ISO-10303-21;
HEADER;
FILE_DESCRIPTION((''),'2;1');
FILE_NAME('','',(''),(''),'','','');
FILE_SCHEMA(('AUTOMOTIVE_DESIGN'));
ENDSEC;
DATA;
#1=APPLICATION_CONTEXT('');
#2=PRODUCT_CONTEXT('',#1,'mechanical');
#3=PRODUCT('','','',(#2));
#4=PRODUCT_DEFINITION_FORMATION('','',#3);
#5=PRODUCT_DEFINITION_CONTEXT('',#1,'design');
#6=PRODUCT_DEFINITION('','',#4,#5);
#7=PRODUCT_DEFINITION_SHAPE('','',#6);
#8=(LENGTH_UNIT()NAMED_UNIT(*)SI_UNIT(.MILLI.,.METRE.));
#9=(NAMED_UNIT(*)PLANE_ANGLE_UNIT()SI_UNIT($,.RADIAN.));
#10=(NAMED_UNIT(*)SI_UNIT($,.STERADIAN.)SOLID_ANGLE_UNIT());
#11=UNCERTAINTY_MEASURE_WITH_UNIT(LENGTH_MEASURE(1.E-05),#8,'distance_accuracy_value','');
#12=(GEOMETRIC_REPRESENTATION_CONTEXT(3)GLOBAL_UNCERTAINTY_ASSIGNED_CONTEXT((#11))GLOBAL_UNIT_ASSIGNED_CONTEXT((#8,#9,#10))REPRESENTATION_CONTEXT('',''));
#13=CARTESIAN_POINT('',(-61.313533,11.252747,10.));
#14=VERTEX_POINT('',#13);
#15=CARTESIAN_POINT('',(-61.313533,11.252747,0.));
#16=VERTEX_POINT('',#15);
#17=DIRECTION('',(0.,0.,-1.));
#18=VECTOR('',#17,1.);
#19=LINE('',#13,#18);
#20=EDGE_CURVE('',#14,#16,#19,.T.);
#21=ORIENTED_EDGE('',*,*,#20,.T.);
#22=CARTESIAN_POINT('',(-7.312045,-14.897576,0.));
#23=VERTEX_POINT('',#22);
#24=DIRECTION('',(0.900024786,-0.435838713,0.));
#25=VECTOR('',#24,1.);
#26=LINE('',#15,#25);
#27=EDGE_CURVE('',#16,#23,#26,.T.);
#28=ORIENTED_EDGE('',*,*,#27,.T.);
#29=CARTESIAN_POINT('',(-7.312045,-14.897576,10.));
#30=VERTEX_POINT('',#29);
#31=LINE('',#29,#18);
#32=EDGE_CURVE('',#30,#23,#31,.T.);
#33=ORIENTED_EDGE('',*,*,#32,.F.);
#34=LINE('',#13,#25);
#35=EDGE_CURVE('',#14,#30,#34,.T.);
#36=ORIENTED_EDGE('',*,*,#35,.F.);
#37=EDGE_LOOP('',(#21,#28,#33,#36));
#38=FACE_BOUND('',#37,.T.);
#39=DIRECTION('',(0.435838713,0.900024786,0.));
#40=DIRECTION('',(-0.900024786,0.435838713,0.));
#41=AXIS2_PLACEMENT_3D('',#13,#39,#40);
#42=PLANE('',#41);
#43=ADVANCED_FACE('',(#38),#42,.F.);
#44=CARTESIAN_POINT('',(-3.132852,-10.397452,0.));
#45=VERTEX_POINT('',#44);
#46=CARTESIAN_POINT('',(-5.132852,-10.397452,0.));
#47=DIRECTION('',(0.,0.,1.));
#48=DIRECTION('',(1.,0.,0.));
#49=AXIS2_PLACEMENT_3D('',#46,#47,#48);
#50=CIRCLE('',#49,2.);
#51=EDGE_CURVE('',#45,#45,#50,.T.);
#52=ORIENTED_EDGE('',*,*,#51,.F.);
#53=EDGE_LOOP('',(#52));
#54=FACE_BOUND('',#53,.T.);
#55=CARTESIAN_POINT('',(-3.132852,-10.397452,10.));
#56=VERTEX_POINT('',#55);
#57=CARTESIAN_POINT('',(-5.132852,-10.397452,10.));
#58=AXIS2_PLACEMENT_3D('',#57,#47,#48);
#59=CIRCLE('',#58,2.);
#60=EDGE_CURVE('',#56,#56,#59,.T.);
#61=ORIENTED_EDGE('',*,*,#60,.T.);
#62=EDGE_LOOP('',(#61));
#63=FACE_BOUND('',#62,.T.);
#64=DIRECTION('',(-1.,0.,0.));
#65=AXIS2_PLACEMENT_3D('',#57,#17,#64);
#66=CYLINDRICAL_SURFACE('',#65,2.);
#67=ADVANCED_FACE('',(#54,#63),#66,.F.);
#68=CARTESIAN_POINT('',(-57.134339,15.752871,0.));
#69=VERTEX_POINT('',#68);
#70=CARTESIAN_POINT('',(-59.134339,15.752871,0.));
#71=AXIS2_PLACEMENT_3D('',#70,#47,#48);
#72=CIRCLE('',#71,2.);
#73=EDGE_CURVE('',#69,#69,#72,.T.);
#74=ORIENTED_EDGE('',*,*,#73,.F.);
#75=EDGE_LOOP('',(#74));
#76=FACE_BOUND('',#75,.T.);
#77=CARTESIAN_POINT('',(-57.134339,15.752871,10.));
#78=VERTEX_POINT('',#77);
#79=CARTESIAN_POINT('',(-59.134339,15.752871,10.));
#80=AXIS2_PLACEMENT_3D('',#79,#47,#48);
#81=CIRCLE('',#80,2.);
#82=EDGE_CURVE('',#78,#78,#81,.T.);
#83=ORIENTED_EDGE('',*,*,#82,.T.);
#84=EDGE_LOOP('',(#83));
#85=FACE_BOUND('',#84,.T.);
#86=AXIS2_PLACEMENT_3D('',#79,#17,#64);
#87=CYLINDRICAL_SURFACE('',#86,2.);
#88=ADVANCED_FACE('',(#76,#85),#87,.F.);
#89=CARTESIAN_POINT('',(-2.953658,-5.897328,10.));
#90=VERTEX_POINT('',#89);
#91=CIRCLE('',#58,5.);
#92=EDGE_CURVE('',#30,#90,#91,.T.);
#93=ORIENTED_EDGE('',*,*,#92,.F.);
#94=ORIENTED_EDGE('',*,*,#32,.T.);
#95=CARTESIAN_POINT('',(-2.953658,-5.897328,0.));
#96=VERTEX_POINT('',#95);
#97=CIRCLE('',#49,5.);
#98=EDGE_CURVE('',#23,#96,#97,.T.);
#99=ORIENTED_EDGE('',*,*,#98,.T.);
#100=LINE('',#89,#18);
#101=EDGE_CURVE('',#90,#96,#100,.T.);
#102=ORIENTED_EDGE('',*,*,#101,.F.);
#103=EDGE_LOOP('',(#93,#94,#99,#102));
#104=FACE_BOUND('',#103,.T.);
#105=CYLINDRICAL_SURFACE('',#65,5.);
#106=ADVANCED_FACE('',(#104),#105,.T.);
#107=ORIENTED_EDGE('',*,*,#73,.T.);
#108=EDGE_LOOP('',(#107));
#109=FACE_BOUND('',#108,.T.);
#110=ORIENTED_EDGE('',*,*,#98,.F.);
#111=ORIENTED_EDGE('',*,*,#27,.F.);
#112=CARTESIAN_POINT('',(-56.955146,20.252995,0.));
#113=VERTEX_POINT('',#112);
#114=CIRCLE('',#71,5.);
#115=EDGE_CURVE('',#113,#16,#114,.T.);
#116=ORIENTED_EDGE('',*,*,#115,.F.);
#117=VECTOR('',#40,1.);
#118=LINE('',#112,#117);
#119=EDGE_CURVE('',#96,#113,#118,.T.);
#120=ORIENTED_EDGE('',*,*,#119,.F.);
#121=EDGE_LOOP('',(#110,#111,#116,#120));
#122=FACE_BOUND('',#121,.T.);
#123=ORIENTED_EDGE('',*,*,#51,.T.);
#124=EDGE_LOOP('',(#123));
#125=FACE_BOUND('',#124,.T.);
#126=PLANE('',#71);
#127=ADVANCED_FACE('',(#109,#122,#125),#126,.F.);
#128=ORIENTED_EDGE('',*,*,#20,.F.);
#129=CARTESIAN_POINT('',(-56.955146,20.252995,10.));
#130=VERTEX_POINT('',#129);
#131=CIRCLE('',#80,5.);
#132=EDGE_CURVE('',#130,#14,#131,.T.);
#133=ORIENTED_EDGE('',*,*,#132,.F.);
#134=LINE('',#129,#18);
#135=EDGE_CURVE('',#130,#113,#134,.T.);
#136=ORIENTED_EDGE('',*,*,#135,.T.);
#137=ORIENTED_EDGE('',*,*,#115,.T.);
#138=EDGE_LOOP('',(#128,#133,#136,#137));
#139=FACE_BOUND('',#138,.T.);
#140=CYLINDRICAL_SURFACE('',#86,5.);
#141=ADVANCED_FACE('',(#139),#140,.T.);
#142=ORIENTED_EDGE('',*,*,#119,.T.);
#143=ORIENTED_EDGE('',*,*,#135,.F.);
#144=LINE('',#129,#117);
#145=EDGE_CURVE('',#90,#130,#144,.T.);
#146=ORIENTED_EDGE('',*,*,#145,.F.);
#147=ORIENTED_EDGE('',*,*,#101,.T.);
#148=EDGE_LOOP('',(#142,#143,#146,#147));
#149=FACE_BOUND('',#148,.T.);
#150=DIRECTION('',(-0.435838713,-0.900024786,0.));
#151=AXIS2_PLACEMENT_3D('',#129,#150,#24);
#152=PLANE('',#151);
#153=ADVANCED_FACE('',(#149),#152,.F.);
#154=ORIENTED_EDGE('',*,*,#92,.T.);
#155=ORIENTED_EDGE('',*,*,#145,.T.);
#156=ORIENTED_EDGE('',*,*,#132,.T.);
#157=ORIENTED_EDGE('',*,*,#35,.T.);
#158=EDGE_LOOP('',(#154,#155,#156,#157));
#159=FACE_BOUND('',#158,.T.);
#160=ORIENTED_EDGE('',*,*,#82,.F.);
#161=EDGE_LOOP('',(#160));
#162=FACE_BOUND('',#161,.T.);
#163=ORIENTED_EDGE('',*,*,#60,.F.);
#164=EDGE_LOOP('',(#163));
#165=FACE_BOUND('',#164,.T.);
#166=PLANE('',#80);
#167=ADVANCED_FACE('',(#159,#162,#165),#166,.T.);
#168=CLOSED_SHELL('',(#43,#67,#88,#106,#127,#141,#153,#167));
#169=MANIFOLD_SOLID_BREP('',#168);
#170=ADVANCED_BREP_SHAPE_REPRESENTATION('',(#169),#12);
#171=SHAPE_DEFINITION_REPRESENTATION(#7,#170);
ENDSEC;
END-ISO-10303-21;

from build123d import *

# Parameters (mm, degrees)
SKETCH1_R           = 2
BOSS_EXTRUDE1_DEPTH = 10


with BuildPart() as part:
    # Sketch1 → Boss-Extrude1 (new body)
    with BuildSketch(Plane.XY):
        with BuildLine():
            Line((-61.313532658, 11.252747212), (-7.312045472, -14.897575572))
            ThreePointArc((-7.312045472, -14.897575572), (-0.632727975, -12.576645205), (-2.953658341, -5.897327707))
            Line((-2.953658341, -5.897327707), (-56.955145527, 20.252995077))
            ThreePointArc((-56.955145527, 20.252995077), (-63.634463025, 17.93206471), (-61.313532658, 11.252747212))
        make_face()
        with Locations((-59.134339093, 15.752871145)):
            Circle(SKETCH1_R, mode=Mode.SUBTRACT)
        with Locations((-5.132851907, -10.397451639)):
            Circle(SKETCH1_R, mode=Mode.SUBTRACT)
    extrude(amount=BOSS_EXTRUDE1_DEPTH)


solid = part.part
